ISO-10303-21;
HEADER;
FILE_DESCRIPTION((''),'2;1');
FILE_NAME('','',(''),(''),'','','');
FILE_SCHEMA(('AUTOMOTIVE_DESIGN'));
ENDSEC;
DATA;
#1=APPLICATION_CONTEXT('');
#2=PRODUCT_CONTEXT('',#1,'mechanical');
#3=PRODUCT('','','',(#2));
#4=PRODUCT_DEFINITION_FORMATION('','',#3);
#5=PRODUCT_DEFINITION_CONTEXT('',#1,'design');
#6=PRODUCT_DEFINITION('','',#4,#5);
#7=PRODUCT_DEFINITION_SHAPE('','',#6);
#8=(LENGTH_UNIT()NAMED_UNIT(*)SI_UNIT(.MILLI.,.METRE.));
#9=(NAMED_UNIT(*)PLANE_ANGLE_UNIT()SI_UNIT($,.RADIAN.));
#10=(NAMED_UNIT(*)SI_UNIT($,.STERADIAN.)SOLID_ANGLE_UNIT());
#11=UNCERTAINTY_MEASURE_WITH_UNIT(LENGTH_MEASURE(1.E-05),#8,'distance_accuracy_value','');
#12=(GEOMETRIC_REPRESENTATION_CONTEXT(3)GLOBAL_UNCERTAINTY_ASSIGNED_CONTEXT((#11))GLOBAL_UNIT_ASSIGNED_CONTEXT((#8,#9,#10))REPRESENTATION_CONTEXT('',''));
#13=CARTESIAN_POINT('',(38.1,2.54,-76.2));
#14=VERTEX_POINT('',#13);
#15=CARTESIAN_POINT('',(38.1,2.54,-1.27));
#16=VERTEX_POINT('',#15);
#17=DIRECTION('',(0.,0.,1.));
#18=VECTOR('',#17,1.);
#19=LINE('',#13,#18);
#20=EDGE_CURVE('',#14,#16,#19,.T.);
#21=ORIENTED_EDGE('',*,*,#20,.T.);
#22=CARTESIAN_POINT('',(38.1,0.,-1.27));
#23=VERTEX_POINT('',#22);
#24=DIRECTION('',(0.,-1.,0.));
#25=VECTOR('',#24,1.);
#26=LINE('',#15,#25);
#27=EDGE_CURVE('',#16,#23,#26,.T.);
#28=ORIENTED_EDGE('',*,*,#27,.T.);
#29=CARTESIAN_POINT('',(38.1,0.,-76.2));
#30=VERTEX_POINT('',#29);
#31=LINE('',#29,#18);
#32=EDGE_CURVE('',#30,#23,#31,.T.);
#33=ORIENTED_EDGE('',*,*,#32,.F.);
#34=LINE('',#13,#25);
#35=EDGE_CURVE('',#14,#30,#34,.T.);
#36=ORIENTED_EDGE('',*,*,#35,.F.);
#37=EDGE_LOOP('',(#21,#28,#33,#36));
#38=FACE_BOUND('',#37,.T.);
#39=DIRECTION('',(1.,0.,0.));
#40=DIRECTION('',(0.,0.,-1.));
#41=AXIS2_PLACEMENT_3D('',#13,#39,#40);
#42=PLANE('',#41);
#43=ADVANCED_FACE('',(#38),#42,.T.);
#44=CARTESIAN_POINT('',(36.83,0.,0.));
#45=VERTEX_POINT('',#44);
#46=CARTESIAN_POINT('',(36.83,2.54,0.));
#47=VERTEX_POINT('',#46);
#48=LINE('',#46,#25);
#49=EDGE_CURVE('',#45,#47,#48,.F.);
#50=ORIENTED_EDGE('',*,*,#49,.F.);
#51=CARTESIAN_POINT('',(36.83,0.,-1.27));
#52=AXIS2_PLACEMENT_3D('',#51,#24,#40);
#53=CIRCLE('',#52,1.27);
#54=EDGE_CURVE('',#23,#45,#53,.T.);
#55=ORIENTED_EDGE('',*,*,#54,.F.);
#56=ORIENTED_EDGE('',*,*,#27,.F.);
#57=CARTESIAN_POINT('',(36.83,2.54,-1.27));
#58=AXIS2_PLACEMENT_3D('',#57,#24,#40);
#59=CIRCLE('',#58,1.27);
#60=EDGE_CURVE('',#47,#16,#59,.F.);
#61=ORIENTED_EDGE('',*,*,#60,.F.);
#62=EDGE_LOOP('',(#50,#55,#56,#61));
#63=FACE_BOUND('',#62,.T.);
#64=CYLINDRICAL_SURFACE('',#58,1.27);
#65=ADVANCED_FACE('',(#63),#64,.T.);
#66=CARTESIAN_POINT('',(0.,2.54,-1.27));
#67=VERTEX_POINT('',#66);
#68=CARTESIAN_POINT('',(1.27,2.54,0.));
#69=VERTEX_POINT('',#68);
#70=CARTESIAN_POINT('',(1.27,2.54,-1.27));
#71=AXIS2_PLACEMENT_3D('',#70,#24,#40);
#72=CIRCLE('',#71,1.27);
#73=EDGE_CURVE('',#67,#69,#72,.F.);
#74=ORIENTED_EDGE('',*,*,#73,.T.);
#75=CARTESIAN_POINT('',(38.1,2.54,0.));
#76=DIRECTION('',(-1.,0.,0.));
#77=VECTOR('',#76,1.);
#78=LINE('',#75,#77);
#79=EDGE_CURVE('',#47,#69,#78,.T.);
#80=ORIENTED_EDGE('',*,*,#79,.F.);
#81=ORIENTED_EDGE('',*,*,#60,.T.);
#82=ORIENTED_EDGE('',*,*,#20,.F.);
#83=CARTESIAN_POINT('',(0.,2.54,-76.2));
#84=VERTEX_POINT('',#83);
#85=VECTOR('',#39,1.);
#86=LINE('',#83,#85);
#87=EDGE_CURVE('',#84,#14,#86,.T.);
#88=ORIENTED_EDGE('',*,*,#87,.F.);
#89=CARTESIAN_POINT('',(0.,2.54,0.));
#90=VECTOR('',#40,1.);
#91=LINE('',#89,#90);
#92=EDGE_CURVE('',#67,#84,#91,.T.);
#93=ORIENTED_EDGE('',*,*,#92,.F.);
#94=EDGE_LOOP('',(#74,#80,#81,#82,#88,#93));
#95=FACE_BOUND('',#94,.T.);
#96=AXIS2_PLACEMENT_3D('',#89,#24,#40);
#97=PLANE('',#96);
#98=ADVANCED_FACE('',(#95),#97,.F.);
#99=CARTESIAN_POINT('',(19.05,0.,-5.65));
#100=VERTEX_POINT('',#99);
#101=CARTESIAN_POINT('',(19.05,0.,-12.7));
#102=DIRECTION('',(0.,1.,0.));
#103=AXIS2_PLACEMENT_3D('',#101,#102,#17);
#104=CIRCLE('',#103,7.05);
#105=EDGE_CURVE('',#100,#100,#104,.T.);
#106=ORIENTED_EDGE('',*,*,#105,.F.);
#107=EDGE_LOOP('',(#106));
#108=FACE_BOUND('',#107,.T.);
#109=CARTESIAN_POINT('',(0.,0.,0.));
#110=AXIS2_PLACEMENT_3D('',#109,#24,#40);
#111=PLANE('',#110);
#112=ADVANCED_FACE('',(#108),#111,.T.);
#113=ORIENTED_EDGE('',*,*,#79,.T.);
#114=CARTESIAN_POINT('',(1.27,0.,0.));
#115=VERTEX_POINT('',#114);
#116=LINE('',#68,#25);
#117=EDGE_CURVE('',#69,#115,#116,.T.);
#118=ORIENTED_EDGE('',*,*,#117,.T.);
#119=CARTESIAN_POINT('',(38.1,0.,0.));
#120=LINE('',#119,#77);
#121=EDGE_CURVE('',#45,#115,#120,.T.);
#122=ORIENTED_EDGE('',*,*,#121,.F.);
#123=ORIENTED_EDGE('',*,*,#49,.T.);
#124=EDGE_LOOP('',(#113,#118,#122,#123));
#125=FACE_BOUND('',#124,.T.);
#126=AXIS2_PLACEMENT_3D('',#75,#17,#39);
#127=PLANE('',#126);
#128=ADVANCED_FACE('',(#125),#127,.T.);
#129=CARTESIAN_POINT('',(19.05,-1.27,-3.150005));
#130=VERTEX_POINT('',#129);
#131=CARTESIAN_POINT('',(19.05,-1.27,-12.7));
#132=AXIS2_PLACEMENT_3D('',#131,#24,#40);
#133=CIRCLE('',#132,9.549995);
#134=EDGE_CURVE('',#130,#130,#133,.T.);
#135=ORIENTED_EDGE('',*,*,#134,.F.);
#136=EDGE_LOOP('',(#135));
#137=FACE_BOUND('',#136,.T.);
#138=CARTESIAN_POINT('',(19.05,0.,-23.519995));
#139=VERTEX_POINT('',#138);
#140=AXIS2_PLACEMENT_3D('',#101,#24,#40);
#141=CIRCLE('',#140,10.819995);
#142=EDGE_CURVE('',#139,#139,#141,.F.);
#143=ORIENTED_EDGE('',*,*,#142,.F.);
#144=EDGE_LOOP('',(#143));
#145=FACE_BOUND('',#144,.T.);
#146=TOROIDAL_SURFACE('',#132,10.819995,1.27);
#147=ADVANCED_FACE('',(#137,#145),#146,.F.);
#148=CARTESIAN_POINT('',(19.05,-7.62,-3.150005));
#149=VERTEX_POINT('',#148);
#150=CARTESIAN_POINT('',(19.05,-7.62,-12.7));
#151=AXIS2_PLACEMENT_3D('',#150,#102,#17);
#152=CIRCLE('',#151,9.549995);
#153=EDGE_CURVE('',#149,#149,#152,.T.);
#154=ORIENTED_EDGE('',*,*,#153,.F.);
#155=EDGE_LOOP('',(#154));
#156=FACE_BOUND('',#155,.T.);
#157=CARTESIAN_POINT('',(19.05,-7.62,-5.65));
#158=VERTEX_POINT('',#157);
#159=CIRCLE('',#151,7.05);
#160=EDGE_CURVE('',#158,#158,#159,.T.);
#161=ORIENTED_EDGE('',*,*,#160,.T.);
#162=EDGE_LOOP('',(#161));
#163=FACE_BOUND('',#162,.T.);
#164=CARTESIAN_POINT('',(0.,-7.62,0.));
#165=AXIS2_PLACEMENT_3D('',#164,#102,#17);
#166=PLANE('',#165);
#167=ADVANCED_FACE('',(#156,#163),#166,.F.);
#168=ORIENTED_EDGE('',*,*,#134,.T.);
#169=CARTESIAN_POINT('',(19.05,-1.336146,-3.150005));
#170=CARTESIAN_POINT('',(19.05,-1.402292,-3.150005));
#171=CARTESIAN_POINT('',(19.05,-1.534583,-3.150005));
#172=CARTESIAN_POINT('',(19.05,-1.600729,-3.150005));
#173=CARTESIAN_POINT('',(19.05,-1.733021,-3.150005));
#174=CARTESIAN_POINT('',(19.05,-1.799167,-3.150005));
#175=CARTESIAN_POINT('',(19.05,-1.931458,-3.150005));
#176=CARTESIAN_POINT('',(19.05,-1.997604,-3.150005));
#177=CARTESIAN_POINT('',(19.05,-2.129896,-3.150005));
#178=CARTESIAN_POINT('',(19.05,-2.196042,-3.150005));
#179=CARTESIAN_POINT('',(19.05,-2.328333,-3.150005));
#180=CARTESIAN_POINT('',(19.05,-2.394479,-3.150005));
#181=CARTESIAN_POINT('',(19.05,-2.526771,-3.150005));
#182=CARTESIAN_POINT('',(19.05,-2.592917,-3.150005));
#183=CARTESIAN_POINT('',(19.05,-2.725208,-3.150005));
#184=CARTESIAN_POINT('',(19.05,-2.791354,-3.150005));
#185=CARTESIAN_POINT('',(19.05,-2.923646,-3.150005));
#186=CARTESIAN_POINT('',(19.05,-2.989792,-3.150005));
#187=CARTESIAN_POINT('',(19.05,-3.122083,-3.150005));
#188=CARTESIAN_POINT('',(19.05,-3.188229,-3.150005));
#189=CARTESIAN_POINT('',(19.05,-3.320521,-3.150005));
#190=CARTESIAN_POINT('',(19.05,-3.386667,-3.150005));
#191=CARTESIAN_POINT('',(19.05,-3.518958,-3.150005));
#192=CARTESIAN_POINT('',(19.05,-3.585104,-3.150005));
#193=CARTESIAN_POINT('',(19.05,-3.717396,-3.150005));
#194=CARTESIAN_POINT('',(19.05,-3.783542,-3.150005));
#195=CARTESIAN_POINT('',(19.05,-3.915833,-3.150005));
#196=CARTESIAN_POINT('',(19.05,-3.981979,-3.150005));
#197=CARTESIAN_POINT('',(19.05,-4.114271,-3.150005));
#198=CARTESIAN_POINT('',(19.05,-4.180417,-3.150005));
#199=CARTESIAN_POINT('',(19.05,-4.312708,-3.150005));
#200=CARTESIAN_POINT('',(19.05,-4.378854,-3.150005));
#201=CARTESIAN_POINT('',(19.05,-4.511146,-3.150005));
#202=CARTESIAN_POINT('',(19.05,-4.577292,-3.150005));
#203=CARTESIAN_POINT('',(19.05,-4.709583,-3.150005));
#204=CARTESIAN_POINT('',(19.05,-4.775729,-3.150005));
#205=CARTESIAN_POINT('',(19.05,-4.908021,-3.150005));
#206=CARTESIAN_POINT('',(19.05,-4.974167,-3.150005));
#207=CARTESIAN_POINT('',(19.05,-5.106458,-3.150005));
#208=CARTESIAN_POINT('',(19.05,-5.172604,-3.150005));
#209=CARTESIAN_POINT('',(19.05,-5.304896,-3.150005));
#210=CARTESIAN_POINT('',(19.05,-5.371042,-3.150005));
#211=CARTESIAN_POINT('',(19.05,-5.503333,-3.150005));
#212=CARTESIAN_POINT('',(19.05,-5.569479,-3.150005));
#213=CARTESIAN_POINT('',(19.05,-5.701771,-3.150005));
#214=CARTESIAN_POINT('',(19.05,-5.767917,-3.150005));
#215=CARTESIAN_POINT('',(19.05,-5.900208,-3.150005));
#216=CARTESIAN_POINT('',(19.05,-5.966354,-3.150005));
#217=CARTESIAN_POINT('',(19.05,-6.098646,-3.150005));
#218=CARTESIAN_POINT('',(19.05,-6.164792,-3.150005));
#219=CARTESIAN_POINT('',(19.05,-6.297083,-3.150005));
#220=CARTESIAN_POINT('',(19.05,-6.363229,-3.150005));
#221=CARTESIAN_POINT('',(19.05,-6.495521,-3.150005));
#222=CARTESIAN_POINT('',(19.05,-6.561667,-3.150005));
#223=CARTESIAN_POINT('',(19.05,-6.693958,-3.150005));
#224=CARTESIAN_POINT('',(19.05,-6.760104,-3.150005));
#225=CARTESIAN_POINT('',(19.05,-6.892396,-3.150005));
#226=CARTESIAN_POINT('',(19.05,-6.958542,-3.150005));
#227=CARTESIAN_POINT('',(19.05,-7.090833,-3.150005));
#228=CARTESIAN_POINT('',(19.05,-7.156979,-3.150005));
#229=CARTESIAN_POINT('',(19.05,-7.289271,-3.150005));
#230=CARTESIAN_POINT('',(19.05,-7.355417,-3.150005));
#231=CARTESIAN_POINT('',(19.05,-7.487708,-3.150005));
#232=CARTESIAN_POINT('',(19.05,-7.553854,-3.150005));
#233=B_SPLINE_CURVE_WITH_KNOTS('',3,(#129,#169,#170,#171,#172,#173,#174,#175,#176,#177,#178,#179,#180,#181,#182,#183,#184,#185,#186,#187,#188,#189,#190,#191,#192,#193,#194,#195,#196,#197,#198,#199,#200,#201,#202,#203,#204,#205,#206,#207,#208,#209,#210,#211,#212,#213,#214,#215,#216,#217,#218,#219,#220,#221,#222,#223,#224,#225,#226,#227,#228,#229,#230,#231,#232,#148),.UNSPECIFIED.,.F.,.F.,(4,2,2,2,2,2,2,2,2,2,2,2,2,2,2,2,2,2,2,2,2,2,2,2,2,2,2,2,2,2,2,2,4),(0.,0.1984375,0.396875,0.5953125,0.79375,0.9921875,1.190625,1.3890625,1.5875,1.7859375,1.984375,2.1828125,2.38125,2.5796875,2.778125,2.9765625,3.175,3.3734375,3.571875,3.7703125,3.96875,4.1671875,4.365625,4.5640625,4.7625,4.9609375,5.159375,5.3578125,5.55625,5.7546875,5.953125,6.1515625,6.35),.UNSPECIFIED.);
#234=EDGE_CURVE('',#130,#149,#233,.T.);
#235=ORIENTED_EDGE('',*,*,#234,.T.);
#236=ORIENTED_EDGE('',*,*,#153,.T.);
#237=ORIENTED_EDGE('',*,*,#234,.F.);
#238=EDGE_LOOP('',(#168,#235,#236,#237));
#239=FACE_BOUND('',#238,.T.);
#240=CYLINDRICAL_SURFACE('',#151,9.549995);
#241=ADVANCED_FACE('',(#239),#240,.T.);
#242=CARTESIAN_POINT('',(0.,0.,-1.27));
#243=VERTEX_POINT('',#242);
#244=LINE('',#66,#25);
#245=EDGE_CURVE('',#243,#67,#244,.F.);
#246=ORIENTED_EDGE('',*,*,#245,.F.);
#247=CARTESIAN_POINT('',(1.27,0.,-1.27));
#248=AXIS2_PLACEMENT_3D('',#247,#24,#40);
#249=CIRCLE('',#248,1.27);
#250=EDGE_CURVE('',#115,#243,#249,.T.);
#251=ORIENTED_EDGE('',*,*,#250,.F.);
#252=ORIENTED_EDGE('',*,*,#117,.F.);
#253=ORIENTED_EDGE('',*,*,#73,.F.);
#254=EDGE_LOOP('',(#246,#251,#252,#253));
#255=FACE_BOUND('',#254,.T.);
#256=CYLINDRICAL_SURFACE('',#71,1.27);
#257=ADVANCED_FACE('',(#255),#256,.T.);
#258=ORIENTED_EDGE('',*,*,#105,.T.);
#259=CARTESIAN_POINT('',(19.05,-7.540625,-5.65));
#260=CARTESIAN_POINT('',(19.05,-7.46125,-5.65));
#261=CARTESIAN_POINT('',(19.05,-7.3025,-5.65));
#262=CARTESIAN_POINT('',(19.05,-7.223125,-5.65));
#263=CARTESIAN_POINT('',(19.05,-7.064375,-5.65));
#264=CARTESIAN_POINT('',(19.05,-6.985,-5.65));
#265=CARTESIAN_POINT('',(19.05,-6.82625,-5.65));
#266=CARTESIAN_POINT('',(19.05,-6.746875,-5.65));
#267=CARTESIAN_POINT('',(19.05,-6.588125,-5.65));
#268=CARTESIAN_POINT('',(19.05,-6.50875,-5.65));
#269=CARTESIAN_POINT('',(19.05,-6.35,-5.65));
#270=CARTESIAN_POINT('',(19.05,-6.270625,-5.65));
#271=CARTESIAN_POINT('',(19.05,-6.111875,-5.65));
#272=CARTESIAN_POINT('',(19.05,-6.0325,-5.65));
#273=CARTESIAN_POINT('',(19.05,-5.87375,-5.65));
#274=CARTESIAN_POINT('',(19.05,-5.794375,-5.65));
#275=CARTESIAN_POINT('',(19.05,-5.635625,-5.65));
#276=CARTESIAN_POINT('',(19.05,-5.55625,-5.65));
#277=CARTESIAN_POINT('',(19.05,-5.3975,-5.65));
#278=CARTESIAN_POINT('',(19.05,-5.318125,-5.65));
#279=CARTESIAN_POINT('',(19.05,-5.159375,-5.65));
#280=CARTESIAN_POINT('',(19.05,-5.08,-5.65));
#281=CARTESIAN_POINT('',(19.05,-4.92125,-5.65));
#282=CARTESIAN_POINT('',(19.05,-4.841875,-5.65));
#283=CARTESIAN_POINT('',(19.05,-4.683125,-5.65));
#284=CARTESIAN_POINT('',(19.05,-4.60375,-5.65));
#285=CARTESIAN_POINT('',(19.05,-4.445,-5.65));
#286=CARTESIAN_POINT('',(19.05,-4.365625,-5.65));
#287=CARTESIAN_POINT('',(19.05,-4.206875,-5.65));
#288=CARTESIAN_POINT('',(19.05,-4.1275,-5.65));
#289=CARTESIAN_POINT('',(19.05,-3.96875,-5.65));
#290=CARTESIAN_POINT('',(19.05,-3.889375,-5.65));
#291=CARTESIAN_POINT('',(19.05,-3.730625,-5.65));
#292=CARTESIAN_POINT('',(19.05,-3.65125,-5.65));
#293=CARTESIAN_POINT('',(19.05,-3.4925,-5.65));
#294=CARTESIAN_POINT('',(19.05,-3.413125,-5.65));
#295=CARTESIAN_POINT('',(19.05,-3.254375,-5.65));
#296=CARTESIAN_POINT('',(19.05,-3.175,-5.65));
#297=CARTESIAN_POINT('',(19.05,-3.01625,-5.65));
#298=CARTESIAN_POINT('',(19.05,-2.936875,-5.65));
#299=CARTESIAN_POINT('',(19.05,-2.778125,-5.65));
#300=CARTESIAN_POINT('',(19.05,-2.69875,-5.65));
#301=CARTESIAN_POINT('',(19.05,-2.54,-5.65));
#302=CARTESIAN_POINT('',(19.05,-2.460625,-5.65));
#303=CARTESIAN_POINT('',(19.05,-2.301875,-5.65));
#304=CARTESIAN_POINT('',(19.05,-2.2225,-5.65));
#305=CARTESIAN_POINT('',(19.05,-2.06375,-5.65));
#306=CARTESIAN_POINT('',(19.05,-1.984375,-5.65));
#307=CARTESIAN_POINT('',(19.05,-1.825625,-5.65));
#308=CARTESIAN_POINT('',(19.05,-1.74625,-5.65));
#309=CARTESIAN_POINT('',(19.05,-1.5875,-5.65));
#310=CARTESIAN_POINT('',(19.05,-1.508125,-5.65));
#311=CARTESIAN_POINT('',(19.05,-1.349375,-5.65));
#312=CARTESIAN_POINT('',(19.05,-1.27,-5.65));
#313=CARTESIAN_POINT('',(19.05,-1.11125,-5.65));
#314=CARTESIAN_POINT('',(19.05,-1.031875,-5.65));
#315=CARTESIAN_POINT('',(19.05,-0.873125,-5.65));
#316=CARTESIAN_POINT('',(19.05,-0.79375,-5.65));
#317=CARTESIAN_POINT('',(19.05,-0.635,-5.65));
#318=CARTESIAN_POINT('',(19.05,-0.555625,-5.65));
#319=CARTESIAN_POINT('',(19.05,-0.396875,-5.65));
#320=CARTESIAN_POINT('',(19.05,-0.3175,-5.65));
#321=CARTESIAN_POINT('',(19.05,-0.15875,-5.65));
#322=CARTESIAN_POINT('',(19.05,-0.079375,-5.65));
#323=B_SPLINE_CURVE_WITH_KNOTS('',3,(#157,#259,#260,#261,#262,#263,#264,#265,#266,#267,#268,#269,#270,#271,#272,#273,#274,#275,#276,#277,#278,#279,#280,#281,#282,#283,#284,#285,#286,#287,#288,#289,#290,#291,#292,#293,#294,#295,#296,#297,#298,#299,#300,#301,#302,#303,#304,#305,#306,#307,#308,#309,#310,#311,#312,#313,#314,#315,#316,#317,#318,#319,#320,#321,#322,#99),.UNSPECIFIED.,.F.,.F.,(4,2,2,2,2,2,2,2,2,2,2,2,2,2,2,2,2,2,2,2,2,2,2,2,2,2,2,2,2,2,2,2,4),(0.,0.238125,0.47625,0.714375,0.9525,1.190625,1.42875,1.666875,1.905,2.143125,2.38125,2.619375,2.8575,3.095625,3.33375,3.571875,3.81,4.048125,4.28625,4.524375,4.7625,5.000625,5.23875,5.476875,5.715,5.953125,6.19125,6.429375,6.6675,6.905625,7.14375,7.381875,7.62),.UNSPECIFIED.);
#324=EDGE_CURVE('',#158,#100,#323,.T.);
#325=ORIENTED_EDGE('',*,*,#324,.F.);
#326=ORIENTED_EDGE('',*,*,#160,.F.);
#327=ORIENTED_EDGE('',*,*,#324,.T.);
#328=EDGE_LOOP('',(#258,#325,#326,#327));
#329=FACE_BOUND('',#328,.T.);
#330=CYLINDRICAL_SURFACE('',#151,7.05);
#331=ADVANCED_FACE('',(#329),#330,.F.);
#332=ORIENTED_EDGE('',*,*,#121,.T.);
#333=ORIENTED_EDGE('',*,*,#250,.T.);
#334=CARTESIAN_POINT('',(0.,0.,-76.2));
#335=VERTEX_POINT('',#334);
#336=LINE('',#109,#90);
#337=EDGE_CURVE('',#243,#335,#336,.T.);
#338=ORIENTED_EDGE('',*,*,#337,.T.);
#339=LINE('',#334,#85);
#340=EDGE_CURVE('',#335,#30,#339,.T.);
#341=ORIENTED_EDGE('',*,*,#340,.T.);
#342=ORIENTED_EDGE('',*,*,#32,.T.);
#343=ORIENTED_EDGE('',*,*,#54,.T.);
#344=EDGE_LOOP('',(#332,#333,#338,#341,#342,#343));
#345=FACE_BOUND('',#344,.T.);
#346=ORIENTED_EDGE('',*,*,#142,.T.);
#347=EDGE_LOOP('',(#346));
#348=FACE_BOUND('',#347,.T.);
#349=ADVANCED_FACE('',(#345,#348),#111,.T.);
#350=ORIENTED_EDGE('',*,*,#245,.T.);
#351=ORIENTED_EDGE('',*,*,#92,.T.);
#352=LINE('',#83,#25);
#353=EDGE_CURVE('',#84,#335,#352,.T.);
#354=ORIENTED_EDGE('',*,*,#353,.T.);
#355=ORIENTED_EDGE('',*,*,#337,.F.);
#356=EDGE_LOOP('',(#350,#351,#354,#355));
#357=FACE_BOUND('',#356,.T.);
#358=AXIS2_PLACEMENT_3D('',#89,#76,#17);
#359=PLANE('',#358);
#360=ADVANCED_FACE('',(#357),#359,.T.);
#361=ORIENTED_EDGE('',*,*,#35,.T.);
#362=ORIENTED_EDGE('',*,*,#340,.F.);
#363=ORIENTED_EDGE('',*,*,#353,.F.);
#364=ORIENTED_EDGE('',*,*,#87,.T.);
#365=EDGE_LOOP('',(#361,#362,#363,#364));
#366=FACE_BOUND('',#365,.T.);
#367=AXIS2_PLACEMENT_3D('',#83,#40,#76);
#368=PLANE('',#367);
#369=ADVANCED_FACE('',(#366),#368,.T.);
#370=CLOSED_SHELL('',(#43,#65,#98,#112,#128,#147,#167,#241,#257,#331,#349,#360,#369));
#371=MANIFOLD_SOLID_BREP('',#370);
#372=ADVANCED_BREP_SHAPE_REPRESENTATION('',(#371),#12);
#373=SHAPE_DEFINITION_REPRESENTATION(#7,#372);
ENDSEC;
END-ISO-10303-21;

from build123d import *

# Parameters (mm, degrees)
SKETCH1_W           = 38.1
SKETCH1_H           = 76.2
BOSS_EXTRUDE1_DEPTH = 2.54
SKETCH1_3_R         = 9.549995
SKETCH1_3_R_2       = 7.05
BOSS_EXTRUDE2_DEPTH = 7.62
FILLET1_R           = 1.27


with BuildPart() as part:
    # Sketch1 → Boss-Extrude1 (new body)
    with BuildSketch(Plane(origin=(0, 0, 0), x_dir=(1, 0, 0), z_dir=(0, 1, 0))):
        with Locations((19.05, 38.1)):
            Rectangle(SKETCH1_W, SKETCH1_H)
    extrude(amount=BOSS_EXTRUDE1_DEPTH)

    # Sketch1<3> → Boss-Extrude2 (add)
    with BuildSketch(Plane(origin=(0, 0, 0), x_dir=(1, 0, 0), z_dir=(0, 1, 0))):
        with Locations((19.05, 12.7)):
            Circle(SKETCH1_3_R)
        with Locations((19.05, 12.7)):
            Circle(SKETCH1_3_R_2, mode=Mode.SUBTRACT)
    extrude(amount=-BOSS_EXTRUDE2_DEPTH)

    # Fillet1
    fillet1_edges = [part.edges().sort_by_distance(p)[0] for p in [
        (0, 1.27, 0),
        (38.1, 1.27, 0),
        (9.500005, 0, -12.7),
    ]]
    fillet(fillet1_edges, radius=FILLET1_R)


solid = part.part
